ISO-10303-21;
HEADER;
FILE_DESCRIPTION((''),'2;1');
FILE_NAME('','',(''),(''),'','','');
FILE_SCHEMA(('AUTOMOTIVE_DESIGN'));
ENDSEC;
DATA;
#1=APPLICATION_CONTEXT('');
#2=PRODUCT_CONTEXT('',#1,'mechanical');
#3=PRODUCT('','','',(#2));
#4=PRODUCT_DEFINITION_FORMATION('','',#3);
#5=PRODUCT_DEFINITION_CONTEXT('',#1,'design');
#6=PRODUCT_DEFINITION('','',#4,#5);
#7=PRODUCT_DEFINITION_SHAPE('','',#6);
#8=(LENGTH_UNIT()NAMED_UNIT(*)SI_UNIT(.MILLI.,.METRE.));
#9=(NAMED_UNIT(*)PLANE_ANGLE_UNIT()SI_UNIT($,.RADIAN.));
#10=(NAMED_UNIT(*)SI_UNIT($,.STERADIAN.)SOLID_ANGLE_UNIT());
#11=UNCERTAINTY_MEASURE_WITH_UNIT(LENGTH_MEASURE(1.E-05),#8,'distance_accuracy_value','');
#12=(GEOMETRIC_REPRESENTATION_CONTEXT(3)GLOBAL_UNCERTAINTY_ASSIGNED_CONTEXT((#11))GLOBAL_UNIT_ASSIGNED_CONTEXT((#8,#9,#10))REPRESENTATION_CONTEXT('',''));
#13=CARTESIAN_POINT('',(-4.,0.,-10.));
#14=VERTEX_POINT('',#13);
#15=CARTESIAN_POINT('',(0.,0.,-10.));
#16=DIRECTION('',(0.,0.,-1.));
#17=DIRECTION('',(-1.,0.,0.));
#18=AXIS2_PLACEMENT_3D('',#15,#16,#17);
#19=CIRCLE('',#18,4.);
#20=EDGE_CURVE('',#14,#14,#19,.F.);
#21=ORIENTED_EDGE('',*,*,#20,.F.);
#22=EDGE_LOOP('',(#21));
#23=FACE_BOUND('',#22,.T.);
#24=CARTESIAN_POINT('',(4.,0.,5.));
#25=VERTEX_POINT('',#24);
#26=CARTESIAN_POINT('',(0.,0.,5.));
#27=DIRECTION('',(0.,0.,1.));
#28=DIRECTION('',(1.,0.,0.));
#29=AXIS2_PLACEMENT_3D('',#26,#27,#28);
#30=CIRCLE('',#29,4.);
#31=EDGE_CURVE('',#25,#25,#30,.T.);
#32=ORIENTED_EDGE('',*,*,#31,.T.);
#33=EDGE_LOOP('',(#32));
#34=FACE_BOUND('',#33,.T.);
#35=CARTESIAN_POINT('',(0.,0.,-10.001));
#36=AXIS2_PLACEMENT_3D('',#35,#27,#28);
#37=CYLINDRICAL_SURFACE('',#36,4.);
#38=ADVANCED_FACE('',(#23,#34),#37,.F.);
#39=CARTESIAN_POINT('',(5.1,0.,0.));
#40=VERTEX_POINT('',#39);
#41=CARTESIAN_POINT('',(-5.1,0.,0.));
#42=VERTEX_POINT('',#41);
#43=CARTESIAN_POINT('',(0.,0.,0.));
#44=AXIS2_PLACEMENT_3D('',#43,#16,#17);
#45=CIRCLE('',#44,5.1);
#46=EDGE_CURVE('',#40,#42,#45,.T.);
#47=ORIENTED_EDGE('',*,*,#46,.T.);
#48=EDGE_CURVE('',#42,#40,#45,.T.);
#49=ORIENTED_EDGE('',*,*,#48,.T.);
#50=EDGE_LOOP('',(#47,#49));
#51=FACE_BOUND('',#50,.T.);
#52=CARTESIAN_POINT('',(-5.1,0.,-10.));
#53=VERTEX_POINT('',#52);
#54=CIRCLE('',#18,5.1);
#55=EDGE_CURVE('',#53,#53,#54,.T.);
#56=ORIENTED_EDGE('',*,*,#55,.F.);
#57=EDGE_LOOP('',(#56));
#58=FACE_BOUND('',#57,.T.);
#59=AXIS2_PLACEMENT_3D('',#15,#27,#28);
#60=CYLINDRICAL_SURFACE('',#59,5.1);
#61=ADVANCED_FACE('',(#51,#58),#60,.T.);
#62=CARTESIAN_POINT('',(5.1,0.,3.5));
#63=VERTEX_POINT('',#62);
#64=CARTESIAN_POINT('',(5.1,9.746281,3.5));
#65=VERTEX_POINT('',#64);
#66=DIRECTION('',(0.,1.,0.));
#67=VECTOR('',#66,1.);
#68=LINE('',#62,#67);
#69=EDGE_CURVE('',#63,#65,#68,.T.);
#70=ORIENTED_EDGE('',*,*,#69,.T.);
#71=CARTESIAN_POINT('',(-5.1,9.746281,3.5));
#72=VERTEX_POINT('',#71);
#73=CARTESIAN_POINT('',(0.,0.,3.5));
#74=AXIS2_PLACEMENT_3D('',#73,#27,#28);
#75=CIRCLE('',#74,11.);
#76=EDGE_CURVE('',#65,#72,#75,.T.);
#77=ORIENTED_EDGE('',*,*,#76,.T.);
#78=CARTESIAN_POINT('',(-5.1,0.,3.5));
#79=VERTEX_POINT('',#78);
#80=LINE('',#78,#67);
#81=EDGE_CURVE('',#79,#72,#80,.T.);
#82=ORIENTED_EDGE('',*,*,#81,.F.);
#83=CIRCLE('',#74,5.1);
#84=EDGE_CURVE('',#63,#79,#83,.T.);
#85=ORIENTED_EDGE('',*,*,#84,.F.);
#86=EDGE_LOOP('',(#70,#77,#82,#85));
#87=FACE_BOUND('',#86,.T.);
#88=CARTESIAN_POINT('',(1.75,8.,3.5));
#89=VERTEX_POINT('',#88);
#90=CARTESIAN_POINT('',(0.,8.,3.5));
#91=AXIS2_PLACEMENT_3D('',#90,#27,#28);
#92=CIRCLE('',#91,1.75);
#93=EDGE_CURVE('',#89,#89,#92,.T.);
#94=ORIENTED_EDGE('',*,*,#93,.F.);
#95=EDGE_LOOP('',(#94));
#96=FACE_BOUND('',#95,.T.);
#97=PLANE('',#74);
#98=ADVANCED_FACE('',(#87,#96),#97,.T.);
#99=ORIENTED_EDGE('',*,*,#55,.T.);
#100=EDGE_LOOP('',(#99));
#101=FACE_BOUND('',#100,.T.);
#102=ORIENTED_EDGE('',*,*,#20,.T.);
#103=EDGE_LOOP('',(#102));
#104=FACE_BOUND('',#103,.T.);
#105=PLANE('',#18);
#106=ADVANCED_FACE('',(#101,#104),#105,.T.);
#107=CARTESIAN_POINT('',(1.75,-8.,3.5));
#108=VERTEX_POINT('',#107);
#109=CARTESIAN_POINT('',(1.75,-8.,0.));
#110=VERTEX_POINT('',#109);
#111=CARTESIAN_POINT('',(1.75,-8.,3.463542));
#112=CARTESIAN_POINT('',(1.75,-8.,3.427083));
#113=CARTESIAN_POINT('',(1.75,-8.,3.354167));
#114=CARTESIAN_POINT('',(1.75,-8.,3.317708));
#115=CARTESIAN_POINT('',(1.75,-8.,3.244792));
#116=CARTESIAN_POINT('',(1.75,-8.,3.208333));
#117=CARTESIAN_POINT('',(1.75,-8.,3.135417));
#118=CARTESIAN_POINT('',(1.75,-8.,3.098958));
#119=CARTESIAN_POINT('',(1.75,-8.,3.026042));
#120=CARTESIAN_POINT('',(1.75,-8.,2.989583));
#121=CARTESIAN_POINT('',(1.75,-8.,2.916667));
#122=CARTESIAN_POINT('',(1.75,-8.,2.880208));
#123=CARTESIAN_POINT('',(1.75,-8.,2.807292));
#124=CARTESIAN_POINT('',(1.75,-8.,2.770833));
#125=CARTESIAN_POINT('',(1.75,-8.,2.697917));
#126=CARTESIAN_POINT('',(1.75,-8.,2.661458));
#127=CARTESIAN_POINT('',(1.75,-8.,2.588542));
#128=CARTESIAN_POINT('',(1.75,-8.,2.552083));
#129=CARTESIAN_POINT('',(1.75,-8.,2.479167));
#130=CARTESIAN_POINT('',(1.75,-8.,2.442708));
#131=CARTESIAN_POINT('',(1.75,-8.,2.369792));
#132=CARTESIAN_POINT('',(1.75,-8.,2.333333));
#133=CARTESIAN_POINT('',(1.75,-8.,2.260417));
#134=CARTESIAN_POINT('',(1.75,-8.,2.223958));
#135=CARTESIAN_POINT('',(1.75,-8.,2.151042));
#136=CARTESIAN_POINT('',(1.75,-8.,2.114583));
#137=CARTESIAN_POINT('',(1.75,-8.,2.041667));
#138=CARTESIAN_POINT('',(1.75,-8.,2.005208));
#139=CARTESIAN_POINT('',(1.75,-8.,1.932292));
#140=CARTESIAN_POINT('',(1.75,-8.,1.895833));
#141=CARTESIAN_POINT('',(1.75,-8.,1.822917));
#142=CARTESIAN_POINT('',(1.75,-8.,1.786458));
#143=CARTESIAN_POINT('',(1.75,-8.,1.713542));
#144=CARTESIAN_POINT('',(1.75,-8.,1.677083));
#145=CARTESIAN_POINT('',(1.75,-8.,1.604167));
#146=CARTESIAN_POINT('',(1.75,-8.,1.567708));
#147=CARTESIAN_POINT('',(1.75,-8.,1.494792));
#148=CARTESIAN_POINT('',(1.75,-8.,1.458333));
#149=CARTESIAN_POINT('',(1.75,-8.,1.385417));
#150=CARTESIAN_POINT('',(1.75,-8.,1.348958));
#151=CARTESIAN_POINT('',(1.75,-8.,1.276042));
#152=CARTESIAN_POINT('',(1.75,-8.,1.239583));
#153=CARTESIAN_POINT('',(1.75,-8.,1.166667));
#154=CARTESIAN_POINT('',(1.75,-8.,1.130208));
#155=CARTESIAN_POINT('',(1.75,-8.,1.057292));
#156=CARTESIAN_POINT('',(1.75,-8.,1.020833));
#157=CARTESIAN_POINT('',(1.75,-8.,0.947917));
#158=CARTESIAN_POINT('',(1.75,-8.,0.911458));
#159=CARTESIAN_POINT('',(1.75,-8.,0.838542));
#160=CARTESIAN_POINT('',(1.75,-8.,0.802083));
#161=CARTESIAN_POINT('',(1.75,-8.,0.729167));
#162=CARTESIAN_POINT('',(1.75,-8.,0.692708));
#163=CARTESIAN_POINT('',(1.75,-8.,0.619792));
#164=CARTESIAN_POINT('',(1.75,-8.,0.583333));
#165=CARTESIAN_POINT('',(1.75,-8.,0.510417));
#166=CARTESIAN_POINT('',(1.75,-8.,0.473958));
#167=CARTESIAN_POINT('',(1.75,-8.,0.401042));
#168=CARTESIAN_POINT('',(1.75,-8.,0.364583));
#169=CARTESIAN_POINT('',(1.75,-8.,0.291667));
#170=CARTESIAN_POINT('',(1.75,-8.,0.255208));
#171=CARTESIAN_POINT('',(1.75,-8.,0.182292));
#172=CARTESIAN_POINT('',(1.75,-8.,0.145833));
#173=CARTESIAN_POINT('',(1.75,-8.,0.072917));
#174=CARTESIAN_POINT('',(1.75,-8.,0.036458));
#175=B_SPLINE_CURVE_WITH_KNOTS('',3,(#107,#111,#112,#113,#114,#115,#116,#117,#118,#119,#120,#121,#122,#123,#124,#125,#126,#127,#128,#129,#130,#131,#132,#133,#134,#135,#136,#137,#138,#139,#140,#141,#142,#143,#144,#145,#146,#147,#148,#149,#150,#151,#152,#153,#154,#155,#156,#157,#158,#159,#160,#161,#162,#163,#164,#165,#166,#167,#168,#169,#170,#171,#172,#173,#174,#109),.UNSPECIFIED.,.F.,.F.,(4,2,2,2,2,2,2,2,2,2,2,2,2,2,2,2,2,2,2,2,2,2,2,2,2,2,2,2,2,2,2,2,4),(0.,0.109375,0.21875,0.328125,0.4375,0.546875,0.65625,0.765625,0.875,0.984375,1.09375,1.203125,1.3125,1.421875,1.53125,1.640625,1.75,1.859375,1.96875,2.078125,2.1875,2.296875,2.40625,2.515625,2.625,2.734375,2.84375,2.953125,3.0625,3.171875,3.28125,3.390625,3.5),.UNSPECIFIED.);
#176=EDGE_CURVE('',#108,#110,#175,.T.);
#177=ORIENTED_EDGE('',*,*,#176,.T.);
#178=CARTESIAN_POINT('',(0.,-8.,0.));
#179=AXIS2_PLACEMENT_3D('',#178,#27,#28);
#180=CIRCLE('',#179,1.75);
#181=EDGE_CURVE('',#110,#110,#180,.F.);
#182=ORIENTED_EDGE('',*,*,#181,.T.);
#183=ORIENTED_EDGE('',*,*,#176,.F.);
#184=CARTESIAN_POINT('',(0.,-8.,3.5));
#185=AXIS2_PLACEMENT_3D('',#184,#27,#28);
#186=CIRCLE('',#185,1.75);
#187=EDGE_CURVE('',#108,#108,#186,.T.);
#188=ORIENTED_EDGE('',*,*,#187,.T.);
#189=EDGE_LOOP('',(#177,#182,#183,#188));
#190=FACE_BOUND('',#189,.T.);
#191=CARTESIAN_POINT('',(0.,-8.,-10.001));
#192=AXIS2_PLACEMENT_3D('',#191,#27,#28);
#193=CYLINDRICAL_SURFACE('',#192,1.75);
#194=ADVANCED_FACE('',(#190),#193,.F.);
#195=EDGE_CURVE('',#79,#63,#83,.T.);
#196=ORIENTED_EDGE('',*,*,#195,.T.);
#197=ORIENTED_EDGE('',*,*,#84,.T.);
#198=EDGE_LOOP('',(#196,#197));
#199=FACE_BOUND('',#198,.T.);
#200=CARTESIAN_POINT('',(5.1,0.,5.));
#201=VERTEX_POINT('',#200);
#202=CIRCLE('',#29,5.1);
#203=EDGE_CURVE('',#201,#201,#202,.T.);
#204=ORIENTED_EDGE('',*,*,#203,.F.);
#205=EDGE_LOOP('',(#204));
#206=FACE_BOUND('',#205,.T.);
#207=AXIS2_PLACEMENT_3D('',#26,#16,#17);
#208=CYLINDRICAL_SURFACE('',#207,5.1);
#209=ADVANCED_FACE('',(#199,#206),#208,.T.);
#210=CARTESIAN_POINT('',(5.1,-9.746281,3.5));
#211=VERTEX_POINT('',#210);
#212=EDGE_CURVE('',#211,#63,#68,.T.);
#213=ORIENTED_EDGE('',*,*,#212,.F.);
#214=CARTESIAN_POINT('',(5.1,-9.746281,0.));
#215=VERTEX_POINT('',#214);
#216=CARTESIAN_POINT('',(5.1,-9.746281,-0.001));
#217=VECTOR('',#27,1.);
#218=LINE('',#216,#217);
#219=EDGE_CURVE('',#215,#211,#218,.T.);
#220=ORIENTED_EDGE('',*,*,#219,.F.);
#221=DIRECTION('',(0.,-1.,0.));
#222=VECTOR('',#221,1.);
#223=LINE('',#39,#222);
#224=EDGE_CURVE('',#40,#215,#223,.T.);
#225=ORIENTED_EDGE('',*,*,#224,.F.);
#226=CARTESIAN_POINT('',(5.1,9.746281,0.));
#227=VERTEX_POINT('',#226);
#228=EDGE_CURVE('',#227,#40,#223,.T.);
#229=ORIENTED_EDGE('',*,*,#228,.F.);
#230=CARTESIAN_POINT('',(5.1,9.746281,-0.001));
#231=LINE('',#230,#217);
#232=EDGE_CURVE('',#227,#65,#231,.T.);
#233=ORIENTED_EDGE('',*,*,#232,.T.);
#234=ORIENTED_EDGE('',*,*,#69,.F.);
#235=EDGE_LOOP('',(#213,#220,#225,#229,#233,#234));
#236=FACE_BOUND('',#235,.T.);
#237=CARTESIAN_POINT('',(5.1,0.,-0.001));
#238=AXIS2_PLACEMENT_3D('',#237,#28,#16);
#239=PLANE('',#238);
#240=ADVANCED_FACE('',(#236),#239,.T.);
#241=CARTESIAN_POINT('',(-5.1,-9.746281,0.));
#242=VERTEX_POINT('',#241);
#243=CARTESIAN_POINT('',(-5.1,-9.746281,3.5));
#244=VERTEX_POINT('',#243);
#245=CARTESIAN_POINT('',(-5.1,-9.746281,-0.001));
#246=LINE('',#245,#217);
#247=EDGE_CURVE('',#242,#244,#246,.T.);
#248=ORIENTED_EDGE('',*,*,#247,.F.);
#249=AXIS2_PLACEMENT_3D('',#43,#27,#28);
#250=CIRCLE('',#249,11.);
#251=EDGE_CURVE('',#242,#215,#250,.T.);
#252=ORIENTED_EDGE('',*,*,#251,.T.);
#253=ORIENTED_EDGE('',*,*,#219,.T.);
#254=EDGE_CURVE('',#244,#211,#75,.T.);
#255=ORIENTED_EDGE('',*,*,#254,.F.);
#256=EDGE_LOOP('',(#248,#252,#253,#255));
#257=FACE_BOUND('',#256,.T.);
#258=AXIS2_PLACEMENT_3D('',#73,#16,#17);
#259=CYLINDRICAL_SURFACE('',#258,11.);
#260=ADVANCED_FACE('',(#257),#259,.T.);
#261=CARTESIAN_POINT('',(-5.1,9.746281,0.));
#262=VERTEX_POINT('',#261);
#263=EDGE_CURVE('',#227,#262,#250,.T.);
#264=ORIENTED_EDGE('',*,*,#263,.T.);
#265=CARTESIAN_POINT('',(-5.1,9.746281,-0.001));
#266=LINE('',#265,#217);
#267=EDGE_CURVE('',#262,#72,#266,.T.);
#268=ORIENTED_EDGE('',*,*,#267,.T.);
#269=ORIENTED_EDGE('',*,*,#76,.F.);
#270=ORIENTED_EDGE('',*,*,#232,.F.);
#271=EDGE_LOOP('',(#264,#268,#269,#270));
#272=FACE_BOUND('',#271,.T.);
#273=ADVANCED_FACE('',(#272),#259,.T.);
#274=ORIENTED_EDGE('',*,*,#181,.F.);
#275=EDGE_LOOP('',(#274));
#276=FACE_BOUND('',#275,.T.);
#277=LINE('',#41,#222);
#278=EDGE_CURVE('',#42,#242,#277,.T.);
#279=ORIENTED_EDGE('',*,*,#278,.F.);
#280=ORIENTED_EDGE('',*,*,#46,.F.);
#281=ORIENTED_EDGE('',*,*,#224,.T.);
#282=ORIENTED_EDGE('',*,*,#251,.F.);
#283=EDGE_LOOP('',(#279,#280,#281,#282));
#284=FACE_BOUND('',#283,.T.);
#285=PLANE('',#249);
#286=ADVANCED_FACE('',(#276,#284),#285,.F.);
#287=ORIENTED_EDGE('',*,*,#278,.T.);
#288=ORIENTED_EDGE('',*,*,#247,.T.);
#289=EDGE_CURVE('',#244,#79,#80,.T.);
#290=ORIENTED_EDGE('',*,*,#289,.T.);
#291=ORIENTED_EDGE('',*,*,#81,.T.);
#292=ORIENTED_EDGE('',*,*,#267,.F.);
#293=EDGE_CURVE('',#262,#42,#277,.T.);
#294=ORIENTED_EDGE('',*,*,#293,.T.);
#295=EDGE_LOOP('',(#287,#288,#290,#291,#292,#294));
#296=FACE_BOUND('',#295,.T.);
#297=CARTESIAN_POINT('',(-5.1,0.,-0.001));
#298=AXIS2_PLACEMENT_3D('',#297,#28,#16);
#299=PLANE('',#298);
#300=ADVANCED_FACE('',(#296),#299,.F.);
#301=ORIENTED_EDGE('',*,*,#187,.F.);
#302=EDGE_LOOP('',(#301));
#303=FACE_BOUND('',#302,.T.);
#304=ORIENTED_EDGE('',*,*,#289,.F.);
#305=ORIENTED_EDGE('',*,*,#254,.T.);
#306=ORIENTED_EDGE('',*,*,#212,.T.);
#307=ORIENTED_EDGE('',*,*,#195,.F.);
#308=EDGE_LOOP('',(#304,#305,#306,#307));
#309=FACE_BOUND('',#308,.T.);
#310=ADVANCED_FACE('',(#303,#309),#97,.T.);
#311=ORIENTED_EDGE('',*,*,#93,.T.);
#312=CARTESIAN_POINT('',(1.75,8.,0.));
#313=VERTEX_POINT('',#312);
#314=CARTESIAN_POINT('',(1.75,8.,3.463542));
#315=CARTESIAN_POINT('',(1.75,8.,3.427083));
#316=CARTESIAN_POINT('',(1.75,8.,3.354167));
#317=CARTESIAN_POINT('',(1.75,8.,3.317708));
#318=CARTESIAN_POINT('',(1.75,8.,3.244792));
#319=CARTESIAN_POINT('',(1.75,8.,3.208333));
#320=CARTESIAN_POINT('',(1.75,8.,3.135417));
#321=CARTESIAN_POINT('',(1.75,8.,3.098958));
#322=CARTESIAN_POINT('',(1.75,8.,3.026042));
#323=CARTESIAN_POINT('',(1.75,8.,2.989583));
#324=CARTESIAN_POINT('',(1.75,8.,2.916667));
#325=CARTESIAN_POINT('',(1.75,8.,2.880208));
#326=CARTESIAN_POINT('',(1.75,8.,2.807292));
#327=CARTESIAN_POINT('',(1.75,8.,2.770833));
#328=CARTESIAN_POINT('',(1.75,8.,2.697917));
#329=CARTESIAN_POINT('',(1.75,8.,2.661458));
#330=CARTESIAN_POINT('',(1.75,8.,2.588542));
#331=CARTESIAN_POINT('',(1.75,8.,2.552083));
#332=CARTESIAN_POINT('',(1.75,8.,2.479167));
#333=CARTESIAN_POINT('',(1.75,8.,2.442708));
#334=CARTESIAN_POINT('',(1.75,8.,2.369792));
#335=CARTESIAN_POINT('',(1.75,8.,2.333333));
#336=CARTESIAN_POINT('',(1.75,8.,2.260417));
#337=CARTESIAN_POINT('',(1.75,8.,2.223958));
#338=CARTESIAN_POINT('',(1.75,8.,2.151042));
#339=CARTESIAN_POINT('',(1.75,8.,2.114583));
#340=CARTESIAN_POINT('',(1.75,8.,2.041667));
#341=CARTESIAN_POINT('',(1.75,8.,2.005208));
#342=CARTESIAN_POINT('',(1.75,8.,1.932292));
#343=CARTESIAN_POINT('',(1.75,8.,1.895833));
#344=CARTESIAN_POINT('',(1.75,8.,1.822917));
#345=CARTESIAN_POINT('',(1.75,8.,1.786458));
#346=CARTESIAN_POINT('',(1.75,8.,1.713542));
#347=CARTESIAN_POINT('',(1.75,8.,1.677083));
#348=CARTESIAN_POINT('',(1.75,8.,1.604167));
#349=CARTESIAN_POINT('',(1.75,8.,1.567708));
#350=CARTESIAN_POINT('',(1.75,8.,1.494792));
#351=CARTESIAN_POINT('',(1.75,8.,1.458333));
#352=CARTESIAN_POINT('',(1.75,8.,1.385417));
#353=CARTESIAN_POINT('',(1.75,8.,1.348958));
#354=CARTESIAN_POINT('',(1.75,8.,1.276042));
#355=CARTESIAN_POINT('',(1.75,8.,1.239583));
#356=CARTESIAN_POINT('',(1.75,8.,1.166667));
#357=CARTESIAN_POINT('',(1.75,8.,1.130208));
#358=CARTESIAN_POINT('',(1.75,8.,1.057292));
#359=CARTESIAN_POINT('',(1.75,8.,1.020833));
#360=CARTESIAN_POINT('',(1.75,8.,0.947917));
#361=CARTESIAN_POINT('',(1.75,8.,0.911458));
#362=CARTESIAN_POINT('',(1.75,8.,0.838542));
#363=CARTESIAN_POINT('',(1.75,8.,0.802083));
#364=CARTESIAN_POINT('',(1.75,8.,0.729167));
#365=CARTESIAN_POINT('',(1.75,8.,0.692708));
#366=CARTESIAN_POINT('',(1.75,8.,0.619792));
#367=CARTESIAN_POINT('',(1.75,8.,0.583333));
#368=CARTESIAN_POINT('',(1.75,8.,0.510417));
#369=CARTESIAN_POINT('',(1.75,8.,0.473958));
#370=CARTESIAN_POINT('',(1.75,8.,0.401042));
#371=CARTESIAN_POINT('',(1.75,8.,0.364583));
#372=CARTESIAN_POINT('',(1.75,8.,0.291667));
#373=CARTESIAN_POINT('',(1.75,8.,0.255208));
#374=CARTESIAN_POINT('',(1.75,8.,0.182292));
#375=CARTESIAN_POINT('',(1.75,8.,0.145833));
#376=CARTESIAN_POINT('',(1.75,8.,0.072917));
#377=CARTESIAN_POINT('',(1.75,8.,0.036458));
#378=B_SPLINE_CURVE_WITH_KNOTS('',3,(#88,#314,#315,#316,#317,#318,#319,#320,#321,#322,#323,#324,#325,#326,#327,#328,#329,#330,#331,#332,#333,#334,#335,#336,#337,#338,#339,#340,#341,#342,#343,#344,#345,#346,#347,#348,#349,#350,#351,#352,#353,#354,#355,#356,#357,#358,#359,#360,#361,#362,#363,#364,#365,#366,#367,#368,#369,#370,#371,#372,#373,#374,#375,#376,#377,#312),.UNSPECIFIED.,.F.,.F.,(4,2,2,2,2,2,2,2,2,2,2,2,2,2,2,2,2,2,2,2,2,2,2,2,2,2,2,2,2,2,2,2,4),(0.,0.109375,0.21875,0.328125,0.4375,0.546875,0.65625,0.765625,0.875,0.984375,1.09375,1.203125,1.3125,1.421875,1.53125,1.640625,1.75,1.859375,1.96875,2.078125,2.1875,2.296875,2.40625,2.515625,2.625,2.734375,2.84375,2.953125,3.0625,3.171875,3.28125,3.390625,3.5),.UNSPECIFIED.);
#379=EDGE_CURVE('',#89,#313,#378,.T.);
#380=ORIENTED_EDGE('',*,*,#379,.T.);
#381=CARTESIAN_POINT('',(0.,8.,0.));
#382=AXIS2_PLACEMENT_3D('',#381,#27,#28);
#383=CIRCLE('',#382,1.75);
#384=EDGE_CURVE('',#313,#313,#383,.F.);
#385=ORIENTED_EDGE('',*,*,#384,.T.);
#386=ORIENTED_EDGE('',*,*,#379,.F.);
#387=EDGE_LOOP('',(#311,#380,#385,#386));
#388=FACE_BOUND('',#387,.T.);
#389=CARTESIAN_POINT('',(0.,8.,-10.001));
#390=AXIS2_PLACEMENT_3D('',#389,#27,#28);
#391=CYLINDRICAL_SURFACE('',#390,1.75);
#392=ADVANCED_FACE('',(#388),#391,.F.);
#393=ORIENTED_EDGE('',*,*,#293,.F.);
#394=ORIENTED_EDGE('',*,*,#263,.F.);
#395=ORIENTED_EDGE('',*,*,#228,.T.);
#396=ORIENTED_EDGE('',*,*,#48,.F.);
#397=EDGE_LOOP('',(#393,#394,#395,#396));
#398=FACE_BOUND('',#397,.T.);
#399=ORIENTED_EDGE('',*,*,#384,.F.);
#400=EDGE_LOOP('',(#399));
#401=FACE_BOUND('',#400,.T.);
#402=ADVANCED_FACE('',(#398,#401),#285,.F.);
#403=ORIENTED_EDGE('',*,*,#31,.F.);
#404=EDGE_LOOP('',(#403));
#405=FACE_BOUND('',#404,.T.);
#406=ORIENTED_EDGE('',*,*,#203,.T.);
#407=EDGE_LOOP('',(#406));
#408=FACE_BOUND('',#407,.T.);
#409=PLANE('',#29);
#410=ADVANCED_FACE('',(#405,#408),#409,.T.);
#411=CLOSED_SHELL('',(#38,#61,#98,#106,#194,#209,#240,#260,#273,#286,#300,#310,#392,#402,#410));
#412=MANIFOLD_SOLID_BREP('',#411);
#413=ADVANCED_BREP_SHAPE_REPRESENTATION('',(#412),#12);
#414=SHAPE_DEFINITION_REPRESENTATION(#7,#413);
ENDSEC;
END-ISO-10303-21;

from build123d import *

# Parameters (mm, degrees)
SKETCH_1_R          = 11
EXTRUDE_1_DEPTH     = 3.5
CUT_EXTRUDE_1_REACH = 17.945
SKETCH_3_R          = 5.1
EXTRUDE_2_DEPTH     = 1.5
EXTRUDE_START       = 10
SKETCH_4_R          = 5.1
EXTRUDE_3_DEPTH     = 10
CUT_EXTRUDE_2_REACH = 20.146
SKETCH_5_R          = 1.75
CUT_EXTRUDE_3_REACH = 21.288
SKETCH_6_R          = 4


with BuildPart() as part:
    # 草图1 → 凸台-拉伸1 (new body)
    with BuildSketch(Plane.XY):
        Circle(SKETCH_1_R)
    extrude(amount=EXTRUDE_1_DEPTH)

    # 草图2 → 切除-拉伸1 (cut, up to next)
    with BuildSketch(Plane.XY.offset(3.5), mode=Mode.PRIVATE) as cut_extrude_1_sk1:
        with BuildLine():
            ThreePointArc((-5.1, 9.746281342), (-11, 0), (-5.1, -9.746281342))
            Line((-5.1, -9.746281342), (-5.1, 9.746281342))
        make_face()
    cut_extrude_1_tool1 = extrude(cut_extrude_1_sk1.sketch, amount=-CUT_EXTRUDE_1_REACH, mode=Mode.PRIVATE) & part.part
    # 草图2 → 切除-拉伸1 (cut, up to next)
    with BuildSketch(Plane.XY.offset(3.5), mode=Mode.PRIVATE) as cut_extrude_1_sk2:
        with BuildLine():
            Line((5.1, 9.746281342), (5.1, -9.746281342))
            ThreePointArc((5.1, -9.746281342), (9.410100956, -5.696490147), (11, 0))
            ThreePointArc((11, 0), (9.410100956, 5.696490147), (5.1, 9.746281342))
        make_face()
    cut_extrude_1_tool2 = extrude(cut_extrude_1_sk2.sketch, amount=-CUT_EXTRUDE_1_REACH, mode=Mode.PRIVATE) & part.part
    add(cut_extrude_1_tool1.solids().sort_by_distance((-7.524361, 0, 3.5))[0], mode=Mode.SUBTRACT)
    add(cut_extrude_1_tool2.solids().sort_by_distance((7.524361, 0, 3.5))[0], mode=Mode.SUBTRACT)

    # 草图3 → 凸台-拉伸2 (add)
    with BuildSketch(Plane.XY.offset(3.5)):
        Circle(SKETCH_3_R)
    extrude(amount=EXTRUDE_2_DEPTH)

    # 草图4 → 凸台-拉伸3 (add)
    with BuildSketch(Plane(origin=(0, 0, 0), x_dir=(-1, 0, 0), z_dir=(0, 0, -1)).offset(EXTRUDE_START)):
        with Locations(Location((0, 0, 0), (0, 0, 180))):
            Circle(SKETCH_4_R)
    extrude(amount=-EXTRUDE_3_DEPTH)

    # 草图5 → 切除-拉伸2 (cut, up to next)
    with BuildSketch(Plane.XY.offset(3.5), mode=Mode.PRIVATE) as cut_extrude_2_sk1:
        with Locations((0, 8)):
            Circle(SKETCH_5_R)
    cut_extrude_2_tool1 = extrude(cut_extrude_2_sk1.sketch, amount=-CUT_EXTRUDE_2_REACH, mode=Mode.PRIVATE) & part.part
    # 草图5 → 切除-拉伸2 (cut, up to next)
    with BuildSketch(Plane.XY.offset(3.5), mode=Mode.PRIVATE) as cut_extrude_2_sk2:
        with Locations((0, -8)):
            Circle(SKETCH_5_R)
    cut_extrude_2_tool2 = extrude(cut_extrude_2_sk2.sketch, amount=-CUT_EXTRUDE_2_REACH, mode=Mode.PRIVATE) & part.part
    add(cut_extrude_2_tool1.solids().sort_by_distance((0, 8, 3.5))[0], mode=Mode.SUBTRACT)
    add(cut_extrude_2_tool2.solids().sort_by_distance((0, -8, 3.5))[0], mode=Mode.SUBTRACT)

    # 草图6 → 切除-拉伸3 (cut, up to next)
    with BuildSketch(Plane.XY.offset(5), mode=Mode.PRIVATE) as cut_extrude_3_sk1:
        Circle(SKETCH_6_R)
    cut_extrude_3_tool1 = extrude(cut_extrude_3_sk1.sketch, amount=-CUT_EXTRUDE_3_REACH, mode=Mode.PRIVATE) & part.part
    add(cut_extrude_3_tool1.solids().sort_by_distance((0, 0, 5))[0], mode=Mode.SUBTRACT)


solid = part.part
